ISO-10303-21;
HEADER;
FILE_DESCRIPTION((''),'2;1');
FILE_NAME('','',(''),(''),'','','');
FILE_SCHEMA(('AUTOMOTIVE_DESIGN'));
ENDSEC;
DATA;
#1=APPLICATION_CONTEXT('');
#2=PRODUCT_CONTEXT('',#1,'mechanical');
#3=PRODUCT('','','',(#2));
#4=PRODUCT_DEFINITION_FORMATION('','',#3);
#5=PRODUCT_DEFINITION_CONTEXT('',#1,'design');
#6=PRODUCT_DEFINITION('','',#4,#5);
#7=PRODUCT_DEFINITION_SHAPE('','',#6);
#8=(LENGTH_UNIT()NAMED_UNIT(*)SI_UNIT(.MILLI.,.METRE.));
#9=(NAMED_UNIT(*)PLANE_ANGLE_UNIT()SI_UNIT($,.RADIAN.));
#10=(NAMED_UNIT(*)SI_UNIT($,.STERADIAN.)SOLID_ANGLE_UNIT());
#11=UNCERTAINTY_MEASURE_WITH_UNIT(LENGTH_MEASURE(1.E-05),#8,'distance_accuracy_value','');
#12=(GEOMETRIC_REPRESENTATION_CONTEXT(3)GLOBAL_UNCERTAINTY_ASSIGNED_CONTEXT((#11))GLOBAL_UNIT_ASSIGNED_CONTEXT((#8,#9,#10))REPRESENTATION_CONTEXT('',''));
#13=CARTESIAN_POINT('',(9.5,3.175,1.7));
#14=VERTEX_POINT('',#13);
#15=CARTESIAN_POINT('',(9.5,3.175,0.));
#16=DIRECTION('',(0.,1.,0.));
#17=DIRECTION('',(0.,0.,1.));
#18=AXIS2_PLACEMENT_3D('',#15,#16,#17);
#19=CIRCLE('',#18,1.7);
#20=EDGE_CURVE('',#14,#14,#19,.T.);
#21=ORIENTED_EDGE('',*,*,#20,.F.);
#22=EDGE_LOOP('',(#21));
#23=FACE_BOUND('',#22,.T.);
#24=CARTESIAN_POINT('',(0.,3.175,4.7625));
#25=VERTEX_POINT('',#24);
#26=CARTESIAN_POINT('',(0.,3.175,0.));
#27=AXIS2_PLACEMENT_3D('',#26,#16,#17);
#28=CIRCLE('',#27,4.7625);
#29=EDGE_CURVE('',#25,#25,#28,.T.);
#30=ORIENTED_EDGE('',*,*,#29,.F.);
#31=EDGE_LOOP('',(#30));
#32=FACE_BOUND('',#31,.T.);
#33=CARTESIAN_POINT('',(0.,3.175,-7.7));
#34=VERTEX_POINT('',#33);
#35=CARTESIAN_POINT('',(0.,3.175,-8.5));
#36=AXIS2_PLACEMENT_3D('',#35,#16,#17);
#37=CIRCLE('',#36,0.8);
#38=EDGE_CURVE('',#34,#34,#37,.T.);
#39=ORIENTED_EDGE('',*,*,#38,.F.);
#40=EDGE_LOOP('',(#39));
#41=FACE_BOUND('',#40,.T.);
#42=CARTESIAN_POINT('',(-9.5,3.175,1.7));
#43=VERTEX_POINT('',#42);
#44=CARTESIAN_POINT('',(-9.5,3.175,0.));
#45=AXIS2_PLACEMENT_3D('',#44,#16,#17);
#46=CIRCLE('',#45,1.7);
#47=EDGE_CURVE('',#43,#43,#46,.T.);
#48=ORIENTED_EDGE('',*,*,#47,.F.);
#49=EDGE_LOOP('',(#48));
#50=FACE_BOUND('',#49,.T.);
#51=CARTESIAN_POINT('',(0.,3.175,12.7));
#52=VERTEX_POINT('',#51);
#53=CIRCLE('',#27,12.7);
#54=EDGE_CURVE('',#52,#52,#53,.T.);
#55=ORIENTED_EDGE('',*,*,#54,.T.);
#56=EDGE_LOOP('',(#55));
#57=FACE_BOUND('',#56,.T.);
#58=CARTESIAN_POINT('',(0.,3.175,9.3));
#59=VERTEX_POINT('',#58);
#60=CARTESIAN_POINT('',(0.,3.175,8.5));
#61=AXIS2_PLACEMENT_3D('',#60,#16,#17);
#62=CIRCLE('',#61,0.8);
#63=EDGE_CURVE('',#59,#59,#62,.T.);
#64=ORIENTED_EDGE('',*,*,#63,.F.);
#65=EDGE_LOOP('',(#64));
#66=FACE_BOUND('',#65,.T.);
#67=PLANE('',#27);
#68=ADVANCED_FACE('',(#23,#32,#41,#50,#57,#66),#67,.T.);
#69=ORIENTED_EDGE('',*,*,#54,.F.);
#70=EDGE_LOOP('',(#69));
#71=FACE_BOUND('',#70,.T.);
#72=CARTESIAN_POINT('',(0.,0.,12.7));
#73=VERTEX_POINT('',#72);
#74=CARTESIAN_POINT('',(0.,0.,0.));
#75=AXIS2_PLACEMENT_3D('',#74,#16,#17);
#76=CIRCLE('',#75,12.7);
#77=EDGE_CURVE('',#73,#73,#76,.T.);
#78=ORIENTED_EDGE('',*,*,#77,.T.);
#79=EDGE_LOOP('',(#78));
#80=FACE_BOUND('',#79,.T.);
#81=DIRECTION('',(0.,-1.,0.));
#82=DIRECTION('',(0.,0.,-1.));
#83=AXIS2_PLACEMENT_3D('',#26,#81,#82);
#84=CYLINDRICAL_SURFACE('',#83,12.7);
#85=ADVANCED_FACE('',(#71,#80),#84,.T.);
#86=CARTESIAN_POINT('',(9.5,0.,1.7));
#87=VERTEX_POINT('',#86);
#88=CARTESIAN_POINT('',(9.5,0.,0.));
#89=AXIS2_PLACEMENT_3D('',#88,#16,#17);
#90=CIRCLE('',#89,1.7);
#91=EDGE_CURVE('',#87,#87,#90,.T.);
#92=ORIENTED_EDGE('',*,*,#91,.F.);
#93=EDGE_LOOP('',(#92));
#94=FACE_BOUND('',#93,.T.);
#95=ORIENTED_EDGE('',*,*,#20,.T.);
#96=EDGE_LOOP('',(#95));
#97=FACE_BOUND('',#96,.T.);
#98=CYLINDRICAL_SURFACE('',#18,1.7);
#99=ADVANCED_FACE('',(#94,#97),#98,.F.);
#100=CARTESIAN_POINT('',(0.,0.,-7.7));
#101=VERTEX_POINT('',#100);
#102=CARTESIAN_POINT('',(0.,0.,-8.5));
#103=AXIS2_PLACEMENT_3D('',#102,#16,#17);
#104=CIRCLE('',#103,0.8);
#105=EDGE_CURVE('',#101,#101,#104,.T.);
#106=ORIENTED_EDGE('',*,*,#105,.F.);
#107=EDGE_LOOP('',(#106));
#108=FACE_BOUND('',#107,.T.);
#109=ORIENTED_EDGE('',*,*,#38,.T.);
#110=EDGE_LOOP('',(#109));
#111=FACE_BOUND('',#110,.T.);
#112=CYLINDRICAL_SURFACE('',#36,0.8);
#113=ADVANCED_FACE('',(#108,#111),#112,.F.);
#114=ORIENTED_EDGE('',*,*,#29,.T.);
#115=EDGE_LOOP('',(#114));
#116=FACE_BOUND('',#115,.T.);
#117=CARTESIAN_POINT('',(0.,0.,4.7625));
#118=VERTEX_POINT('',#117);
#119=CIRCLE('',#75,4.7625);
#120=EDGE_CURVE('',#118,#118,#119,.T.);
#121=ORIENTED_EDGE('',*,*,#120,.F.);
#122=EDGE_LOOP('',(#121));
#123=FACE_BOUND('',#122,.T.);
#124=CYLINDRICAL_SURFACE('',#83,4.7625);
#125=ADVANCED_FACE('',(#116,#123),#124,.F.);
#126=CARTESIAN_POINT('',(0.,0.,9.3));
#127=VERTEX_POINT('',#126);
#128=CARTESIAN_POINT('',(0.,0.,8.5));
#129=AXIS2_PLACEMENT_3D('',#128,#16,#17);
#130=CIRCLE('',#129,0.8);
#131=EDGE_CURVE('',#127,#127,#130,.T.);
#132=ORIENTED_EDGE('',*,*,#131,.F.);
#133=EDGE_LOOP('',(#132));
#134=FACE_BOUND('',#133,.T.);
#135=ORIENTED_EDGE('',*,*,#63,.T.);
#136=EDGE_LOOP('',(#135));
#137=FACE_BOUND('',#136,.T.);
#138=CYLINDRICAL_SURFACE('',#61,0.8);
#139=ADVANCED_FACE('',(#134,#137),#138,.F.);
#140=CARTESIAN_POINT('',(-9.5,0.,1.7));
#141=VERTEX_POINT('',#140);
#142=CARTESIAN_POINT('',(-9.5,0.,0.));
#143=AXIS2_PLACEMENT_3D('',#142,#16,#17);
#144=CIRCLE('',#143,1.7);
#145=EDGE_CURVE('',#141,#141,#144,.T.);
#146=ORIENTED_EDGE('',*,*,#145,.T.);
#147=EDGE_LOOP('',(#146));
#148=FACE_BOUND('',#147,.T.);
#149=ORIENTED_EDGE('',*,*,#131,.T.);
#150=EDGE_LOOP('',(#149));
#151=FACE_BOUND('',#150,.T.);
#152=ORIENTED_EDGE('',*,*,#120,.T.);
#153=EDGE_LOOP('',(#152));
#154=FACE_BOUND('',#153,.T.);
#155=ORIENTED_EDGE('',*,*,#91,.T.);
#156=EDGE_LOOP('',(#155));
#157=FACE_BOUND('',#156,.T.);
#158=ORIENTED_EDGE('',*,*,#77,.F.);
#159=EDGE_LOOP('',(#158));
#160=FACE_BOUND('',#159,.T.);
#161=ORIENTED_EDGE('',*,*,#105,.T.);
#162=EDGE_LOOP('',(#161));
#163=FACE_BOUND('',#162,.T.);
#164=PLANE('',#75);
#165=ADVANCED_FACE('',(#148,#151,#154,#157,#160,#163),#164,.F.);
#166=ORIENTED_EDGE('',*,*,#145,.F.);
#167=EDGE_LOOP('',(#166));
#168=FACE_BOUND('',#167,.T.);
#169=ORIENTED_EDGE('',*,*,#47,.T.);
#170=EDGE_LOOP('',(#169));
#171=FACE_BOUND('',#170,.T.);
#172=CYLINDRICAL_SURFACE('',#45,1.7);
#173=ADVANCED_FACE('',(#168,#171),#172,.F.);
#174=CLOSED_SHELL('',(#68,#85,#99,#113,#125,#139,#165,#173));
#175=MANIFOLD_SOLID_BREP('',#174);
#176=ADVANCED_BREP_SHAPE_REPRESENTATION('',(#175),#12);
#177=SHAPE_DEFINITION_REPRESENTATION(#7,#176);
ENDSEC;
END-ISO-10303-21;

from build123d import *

# Parameters (mm, degrees)
SKETCH1_R                       = 12.7
SKETCH1_R_2                     = 4.7625
BOSS_EXTRUDE1_DEPTH             = 3.175
M3_CLEARANCE_HOLE1_D            = 3.4
M3_CLEARANCE_HOLE1_DEPTH        = 6.35
M3_CLEARANCE_HOLE1_TIP          = 1.021463052
TAP_DRILL_FOR_M2X0_4_TAP1_D     = 1.6
TAP_DRILL_FOR_M2X0_4_TAP1_DEPTH = 6.35
TAP_DRILL_FOR_M2X0_4_TAP1_TIP   = 0.480688495


with BuildPart() as part:
    # Sketch1 → Boss-Extrude1 (new body)
    with BuildSketch(Plane(origin=(0, 0, 0), x_dir=(1, 0, 0), z_dir=(0, 1, 0))):
        with Locations(Location((0, 0, 0), (0, 0, 270))):
            Circle(SKETCH1_R)
        with Locations(Location((0, 0, 0), (0, 0, 270))):
            Circle(SKETCH1_R_2, mode=Mode.SUBTRACT)
    extrude(amount=BOSS_EXTRUDE1_DEPTH)

    # M3 Clearance Hole1
    with Locations(Plane(origin=(0, 3.175, 0), x_dir=(1, 0, 0), z_dir=(0, 1, 0))):
        with Locations((-9.5, 0), (9.5, 0)):
            Hole(M3_CLEARANCE_HOLE1_D / 2, depth=M3_CLEARANCE_HOLE1_DEPTH)
            with Locations((0, 0, -(M3_CLEARANCE_HOLE1_DEPTH + M3_CLEARANCE_HOLE1_TIP / 2))):  # 118° drill point
                Cone(0, M3_CLEARANCE_HOLE1_D / 2, M3_CLEARANCE_HOLE1_TIP, mode=Mode.SUBTRACT)

    # Tap Drill for M2x0.4 Tap1
    with Locations(Plane(origin=(0, 3.175, 0), x_dir=(1, 0, 0), z_dir=(0, 1, 0))):
        with Locations((0, 8.5), (0, -8.5)):
            Hole(TAP_DRILL_FOR_M2X0_4_TAP1_D / 2, depth=TAP_DRILL_FOR_M2X0_4_TAP1_DEPTH)
            with Locations((0, 0, -(TAP_DRILL_FOR_M2X0_4_TAP1_DEPTH + TAP_DRILL_FOR_M2X0_4_TAP1_TIP / 2))):  # 118° drill point
                Cone(0, TAP_DRILL_FOR_M2X0_4_TAP1_D / 2, TAP_DRILL_FOR_M2X0_4_TAP1_TIP, mode=Mode.SUBTRACT)


solid = part.part
